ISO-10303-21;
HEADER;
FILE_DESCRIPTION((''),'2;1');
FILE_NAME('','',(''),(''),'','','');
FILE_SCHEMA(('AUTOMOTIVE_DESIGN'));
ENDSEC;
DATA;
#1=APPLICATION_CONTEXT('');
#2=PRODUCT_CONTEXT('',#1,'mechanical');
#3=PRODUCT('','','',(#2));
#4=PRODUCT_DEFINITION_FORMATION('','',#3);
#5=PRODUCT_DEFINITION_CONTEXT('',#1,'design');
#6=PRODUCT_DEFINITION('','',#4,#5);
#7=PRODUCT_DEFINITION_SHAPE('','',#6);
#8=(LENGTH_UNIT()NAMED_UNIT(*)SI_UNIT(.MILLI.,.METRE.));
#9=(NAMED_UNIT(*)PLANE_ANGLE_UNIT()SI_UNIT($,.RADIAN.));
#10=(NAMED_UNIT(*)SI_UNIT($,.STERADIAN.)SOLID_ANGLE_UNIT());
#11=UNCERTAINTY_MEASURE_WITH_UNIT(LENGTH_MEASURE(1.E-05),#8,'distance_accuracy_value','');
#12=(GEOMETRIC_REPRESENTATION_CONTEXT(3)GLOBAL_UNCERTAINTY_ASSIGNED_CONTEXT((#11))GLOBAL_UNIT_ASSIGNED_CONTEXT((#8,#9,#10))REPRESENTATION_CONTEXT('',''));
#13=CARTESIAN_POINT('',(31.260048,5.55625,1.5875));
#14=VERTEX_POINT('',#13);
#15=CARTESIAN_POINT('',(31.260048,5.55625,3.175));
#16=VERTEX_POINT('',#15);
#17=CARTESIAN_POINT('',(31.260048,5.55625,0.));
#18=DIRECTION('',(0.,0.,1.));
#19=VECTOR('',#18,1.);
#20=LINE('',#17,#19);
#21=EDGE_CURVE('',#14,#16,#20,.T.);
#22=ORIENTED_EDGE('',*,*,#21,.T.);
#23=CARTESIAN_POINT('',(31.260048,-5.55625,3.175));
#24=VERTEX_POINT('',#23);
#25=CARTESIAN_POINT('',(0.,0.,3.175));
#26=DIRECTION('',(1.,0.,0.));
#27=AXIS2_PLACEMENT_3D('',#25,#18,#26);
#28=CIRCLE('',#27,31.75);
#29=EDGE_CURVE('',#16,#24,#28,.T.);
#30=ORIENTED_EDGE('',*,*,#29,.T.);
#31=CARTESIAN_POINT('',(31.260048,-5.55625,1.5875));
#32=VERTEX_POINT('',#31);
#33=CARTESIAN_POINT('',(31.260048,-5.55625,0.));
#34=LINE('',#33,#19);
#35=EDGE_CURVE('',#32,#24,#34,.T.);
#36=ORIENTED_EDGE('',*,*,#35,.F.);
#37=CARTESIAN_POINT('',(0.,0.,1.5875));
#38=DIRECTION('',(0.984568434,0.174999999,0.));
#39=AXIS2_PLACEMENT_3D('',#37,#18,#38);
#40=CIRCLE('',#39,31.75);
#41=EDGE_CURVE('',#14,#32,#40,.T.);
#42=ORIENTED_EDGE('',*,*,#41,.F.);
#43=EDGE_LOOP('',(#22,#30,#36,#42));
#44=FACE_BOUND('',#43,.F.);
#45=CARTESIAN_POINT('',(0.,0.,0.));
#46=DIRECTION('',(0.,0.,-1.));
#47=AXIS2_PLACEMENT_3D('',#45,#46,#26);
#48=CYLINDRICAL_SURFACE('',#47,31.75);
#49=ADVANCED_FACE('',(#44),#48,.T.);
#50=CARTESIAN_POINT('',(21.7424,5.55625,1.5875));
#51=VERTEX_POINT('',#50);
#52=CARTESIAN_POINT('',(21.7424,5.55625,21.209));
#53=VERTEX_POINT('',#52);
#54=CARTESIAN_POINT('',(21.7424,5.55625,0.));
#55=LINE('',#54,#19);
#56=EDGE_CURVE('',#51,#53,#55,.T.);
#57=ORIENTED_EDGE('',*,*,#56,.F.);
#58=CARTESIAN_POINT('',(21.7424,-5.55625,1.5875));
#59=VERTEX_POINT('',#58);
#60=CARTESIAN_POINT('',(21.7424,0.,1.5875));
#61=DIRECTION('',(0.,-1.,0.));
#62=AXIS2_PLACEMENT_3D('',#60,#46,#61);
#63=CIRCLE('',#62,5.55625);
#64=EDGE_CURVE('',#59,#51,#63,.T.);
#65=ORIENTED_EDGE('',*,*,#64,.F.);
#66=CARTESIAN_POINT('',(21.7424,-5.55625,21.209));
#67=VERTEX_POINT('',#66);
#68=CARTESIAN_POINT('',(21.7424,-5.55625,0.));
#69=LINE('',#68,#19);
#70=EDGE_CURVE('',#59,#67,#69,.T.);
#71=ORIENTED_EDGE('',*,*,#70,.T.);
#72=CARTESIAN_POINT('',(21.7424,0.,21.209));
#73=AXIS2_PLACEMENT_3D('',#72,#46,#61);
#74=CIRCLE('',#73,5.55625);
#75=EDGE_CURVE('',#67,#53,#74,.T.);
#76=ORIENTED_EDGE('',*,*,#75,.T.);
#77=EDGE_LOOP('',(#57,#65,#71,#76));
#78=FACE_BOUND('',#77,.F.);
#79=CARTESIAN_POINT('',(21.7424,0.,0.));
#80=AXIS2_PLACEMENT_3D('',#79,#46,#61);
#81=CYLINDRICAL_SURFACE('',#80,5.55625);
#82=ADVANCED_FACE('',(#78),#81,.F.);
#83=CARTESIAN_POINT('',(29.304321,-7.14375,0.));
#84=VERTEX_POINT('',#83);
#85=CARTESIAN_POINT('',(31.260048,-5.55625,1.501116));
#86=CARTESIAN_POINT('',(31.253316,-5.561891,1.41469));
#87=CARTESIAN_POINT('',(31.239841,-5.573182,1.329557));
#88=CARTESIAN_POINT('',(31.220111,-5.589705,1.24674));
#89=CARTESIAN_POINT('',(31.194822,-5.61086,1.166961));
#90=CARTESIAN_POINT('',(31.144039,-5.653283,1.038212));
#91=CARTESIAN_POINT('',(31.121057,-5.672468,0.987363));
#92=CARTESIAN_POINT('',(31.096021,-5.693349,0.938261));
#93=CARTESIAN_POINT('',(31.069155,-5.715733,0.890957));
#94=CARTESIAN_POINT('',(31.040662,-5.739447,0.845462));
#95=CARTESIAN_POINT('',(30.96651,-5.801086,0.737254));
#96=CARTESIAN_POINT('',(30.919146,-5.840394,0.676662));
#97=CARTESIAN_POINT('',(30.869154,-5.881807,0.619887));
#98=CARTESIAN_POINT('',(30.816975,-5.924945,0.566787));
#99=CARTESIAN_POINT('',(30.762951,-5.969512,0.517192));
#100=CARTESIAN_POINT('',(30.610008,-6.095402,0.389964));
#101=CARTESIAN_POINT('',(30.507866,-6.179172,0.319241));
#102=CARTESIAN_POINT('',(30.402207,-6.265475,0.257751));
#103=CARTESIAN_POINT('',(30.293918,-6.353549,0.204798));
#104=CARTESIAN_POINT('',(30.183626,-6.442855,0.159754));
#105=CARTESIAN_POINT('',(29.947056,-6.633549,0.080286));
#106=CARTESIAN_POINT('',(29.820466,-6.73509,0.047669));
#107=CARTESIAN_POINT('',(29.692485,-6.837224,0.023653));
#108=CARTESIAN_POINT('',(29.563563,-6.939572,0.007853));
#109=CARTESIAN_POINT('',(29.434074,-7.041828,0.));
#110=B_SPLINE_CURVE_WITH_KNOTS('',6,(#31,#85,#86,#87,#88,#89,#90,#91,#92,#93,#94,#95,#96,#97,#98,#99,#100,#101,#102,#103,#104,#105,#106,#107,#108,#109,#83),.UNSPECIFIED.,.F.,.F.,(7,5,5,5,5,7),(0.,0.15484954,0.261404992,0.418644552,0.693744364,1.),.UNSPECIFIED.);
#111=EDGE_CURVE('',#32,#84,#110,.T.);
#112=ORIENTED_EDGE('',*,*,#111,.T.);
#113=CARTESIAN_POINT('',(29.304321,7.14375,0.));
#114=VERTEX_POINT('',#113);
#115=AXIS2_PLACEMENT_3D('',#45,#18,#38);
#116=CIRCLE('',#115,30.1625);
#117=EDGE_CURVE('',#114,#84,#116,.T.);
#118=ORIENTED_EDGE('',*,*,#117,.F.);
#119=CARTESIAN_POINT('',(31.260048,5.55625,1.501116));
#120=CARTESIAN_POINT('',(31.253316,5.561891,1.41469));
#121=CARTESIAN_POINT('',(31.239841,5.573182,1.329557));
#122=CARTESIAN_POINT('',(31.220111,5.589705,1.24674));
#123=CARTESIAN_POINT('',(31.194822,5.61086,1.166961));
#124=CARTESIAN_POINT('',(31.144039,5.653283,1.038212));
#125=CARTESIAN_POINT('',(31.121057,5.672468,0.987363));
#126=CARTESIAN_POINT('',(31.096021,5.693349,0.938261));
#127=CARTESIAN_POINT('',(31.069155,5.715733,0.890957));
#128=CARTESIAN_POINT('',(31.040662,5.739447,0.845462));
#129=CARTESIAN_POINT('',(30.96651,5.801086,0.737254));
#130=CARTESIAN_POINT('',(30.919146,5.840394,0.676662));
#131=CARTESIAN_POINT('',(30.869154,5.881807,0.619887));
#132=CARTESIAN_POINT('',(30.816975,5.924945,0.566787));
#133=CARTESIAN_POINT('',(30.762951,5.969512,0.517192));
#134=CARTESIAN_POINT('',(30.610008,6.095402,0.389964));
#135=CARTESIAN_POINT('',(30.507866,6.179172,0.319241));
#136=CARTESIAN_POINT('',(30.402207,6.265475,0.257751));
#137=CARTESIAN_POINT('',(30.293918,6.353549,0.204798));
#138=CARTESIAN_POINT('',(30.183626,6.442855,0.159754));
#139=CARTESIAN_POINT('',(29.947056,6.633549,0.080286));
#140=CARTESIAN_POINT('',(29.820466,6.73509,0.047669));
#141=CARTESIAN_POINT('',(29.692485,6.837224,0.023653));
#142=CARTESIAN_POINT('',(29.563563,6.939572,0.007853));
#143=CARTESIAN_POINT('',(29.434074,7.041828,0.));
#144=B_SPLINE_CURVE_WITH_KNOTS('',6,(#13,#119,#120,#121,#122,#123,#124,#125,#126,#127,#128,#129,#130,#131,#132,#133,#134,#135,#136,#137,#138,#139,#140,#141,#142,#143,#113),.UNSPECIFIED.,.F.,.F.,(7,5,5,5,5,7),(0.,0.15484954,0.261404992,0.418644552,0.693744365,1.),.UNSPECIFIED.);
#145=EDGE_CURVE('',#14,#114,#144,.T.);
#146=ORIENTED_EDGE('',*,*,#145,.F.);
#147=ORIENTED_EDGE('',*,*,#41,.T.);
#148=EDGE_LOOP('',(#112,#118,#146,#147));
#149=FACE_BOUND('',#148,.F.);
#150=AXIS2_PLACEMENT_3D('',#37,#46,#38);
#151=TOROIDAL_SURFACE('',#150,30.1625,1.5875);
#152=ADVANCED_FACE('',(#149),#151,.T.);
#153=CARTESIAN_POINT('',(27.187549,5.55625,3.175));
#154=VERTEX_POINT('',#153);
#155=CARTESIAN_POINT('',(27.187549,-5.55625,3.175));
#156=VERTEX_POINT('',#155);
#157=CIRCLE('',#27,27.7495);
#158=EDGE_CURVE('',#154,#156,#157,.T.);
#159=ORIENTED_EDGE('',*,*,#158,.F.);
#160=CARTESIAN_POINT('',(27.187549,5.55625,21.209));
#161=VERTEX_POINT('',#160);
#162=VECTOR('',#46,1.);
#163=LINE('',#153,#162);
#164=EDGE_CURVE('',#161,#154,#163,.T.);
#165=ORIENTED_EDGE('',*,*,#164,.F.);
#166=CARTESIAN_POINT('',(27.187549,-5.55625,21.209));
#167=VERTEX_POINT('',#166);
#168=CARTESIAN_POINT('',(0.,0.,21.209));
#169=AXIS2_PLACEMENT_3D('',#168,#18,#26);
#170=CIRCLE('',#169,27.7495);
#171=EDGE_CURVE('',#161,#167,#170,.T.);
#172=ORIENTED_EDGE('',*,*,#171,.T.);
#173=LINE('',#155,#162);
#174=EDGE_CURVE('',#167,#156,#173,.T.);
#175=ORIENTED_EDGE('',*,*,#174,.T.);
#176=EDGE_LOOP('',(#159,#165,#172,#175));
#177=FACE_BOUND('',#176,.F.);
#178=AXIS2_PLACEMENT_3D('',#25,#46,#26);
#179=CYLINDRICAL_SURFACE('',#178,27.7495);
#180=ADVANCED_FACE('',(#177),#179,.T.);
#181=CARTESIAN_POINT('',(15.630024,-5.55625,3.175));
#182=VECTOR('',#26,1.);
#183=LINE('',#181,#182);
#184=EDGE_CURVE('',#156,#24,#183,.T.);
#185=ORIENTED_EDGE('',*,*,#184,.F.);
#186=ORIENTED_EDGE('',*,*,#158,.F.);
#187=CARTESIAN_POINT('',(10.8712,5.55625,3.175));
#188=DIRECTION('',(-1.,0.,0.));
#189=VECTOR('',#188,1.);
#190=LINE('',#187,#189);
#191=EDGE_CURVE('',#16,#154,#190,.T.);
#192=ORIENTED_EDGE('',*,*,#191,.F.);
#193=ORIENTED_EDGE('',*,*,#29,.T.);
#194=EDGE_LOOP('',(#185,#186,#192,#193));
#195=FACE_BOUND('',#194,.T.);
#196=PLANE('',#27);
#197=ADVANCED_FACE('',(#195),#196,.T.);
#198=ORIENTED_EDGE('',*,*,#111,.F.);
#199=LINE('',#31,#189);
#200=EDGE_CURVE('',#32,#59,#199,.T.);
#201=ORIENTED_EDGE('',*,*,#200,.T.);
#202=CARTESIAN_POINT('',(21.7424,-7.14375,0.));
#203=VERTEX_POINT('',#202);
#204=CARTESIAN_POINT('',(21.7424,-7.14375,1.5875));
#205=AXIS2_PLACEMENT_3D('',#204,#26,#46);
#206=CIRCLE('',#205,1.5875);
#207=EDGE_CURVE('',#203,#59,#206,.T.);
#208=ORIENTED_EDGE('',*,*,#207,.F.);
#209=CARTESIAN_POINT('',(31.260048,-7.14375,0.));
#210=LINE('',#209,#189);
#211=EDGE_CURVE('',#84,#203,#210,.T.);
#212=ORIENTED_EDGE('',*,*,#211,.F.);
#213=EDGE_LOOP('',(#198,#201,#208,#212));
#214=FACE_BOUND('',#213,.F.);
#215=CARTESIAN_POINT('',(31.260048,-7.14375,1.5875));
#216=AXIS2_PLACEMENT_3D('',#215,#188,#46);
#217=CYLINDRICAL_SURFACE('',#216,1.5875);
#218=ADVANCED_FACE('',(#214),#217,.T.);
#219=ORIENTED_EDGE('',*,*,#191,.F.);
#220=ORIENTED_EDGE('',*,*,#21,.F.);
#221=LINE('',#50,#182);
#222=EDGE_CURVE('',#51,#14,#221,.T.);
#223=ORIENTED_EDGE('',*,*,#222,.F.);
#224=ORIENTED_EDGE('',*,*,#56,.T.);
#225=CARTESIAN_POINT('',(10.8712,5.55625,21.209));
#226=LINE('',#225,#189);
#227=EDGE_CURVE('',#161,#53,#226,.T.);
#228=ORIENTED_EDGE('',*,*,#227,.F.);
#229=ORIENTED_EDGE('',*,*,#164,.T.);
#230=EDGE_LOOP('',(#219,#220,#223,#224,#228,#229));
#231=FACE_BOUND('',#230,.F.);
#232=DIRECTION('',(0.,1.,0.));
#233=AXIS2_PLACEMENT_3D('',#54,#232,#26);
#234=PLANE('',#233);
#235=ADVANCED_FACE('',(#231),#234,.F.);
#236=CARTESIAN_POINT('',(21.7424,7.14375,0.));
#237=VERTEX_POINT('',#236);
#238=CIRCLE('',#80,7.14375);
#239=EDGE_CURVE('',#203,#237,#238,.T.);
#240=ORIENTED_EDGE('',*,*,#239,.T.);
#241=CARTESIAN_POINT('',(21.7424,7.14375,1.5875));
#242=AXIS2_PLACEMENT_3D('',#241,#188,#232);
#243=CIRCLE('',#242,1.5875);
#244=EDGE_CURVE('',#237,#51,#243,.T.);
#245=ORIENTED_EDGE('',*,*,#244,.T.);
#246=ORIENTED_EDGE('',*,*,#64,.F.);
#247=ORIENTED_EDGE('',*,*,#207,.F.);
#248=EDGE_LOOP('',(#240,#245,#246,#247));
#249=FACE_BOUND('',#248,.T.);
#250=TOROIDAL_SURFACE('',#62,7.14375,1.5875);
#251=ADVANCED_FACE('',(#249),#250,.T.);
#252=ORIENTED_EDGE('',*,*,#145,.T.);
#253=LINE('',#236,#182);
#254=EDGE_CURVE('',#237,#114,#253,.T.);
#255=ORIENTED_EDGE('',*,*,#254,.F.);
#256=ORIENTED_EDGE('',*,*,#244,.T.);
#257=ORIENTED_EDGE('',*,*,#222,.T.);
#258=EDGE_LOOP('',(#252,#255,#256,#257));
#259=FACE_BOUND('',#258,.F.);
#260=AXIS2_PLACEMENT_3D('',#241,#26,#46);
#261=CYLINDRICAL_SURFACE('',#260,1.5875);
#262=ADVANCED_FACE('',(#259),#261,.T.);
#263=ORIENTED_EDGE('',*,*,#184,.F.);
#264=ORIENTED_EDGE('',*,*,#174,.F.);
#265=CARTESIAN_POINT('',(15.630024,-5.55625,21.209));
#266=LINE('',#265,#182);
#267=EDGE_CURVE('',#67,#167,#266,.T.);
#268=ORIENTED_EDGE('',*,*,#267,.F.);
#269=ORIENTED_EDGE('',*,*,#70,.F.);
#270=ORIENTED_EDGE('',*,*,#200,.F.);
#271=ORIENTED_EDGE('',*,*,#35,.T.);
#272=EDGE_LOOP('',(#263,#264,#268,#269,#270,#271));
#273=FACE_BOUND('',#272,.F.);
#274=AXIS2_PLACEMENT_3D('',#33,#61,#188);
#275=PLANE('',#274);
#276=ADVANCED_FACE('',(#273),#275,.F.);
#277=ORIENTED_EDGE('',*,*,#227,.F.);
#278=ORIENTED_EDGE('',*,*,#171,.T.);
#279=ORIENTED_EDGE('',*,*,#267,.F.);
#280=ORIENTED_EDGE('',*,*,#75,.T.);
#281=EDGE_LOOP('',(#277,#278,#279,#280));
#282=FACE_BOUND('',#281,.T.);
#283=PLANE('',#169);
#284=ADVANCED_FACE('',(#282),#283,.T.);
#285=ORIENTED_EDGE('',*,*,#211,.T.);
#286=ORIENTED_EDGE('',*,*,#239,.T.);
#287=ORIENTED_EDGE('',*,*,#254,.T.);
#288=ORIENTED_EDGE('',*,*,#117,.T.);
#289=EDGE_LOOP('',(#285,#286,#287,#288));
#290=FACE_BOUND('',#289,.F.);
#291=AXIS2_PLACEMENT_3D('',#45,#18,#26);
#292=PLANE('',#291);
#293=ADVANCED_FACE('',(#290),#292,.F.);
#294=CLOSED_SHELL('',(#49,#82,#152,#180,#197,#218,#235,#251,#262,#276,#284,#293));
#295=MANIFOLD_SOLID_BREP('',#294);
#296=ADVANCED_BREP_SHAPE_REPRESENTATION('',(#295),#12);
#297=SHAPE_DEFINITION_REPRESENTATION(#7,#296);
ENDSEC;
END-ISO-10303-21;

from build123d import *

# Parameters (mm, degrees)
F0_R     = 31.75
F1_DEPTH = 3.175
F2_R     = 27.7495
F3_DEPTH = 18.034
F5_DEPTH = 25.4
F6_R     = 1.5875


with BuildPart() as f1:
    # F0 (on Top) → F1 (new body)
    with BuildSketch(Plane.XY):
        Circle(F0_R)
    extrude(amount=F1_DEPTH)

    # F2 (on face) → F3 (join)
    with BuildSketch(Plane.XY.offset(3.175)):
        Circle(F2_R)
    extrude(amount=F3_DEPTH)

    # F4 (on face) → F5 (cut)
    with BuildSketch(Plane(origin=(0, 0, 0), x_dir=(1, 0, 0), z_dir=(0, 0, -1))):
        with BuildLine():
            ThreePointArc((31.75, 0), (31.627275, 2.788905), (31.260048, 5.55625))
            Line((31.260048, 5.55625), (21.7424, 5.55625))
            ThreePointArc((21.7424, 5.55625), (16.18615, 0), (21.7424, -5.55625))
            Line((21.7424, -5.55625), (31.260048, -5.55625))
            ThreePointArc((31.260048, -5.55625), (31.627275, -2.788905), (31.75, 0))
        make_face()
    extrude(amount=-F5_DEPTH, mode=Mode.SUBTRACT)

    # F6
    f6_edges = [f1.edges().sort_by_distance(p)[0] for p in [
        (-31.75, 0, 0),
        (26.501224, -5.55625, 0),
        (16.18615, 0, 0),
        (26.501224, 5.55625, 0),
    ]]
    fillet(f6_edges, radius=F6_R)


solid = f1.part
